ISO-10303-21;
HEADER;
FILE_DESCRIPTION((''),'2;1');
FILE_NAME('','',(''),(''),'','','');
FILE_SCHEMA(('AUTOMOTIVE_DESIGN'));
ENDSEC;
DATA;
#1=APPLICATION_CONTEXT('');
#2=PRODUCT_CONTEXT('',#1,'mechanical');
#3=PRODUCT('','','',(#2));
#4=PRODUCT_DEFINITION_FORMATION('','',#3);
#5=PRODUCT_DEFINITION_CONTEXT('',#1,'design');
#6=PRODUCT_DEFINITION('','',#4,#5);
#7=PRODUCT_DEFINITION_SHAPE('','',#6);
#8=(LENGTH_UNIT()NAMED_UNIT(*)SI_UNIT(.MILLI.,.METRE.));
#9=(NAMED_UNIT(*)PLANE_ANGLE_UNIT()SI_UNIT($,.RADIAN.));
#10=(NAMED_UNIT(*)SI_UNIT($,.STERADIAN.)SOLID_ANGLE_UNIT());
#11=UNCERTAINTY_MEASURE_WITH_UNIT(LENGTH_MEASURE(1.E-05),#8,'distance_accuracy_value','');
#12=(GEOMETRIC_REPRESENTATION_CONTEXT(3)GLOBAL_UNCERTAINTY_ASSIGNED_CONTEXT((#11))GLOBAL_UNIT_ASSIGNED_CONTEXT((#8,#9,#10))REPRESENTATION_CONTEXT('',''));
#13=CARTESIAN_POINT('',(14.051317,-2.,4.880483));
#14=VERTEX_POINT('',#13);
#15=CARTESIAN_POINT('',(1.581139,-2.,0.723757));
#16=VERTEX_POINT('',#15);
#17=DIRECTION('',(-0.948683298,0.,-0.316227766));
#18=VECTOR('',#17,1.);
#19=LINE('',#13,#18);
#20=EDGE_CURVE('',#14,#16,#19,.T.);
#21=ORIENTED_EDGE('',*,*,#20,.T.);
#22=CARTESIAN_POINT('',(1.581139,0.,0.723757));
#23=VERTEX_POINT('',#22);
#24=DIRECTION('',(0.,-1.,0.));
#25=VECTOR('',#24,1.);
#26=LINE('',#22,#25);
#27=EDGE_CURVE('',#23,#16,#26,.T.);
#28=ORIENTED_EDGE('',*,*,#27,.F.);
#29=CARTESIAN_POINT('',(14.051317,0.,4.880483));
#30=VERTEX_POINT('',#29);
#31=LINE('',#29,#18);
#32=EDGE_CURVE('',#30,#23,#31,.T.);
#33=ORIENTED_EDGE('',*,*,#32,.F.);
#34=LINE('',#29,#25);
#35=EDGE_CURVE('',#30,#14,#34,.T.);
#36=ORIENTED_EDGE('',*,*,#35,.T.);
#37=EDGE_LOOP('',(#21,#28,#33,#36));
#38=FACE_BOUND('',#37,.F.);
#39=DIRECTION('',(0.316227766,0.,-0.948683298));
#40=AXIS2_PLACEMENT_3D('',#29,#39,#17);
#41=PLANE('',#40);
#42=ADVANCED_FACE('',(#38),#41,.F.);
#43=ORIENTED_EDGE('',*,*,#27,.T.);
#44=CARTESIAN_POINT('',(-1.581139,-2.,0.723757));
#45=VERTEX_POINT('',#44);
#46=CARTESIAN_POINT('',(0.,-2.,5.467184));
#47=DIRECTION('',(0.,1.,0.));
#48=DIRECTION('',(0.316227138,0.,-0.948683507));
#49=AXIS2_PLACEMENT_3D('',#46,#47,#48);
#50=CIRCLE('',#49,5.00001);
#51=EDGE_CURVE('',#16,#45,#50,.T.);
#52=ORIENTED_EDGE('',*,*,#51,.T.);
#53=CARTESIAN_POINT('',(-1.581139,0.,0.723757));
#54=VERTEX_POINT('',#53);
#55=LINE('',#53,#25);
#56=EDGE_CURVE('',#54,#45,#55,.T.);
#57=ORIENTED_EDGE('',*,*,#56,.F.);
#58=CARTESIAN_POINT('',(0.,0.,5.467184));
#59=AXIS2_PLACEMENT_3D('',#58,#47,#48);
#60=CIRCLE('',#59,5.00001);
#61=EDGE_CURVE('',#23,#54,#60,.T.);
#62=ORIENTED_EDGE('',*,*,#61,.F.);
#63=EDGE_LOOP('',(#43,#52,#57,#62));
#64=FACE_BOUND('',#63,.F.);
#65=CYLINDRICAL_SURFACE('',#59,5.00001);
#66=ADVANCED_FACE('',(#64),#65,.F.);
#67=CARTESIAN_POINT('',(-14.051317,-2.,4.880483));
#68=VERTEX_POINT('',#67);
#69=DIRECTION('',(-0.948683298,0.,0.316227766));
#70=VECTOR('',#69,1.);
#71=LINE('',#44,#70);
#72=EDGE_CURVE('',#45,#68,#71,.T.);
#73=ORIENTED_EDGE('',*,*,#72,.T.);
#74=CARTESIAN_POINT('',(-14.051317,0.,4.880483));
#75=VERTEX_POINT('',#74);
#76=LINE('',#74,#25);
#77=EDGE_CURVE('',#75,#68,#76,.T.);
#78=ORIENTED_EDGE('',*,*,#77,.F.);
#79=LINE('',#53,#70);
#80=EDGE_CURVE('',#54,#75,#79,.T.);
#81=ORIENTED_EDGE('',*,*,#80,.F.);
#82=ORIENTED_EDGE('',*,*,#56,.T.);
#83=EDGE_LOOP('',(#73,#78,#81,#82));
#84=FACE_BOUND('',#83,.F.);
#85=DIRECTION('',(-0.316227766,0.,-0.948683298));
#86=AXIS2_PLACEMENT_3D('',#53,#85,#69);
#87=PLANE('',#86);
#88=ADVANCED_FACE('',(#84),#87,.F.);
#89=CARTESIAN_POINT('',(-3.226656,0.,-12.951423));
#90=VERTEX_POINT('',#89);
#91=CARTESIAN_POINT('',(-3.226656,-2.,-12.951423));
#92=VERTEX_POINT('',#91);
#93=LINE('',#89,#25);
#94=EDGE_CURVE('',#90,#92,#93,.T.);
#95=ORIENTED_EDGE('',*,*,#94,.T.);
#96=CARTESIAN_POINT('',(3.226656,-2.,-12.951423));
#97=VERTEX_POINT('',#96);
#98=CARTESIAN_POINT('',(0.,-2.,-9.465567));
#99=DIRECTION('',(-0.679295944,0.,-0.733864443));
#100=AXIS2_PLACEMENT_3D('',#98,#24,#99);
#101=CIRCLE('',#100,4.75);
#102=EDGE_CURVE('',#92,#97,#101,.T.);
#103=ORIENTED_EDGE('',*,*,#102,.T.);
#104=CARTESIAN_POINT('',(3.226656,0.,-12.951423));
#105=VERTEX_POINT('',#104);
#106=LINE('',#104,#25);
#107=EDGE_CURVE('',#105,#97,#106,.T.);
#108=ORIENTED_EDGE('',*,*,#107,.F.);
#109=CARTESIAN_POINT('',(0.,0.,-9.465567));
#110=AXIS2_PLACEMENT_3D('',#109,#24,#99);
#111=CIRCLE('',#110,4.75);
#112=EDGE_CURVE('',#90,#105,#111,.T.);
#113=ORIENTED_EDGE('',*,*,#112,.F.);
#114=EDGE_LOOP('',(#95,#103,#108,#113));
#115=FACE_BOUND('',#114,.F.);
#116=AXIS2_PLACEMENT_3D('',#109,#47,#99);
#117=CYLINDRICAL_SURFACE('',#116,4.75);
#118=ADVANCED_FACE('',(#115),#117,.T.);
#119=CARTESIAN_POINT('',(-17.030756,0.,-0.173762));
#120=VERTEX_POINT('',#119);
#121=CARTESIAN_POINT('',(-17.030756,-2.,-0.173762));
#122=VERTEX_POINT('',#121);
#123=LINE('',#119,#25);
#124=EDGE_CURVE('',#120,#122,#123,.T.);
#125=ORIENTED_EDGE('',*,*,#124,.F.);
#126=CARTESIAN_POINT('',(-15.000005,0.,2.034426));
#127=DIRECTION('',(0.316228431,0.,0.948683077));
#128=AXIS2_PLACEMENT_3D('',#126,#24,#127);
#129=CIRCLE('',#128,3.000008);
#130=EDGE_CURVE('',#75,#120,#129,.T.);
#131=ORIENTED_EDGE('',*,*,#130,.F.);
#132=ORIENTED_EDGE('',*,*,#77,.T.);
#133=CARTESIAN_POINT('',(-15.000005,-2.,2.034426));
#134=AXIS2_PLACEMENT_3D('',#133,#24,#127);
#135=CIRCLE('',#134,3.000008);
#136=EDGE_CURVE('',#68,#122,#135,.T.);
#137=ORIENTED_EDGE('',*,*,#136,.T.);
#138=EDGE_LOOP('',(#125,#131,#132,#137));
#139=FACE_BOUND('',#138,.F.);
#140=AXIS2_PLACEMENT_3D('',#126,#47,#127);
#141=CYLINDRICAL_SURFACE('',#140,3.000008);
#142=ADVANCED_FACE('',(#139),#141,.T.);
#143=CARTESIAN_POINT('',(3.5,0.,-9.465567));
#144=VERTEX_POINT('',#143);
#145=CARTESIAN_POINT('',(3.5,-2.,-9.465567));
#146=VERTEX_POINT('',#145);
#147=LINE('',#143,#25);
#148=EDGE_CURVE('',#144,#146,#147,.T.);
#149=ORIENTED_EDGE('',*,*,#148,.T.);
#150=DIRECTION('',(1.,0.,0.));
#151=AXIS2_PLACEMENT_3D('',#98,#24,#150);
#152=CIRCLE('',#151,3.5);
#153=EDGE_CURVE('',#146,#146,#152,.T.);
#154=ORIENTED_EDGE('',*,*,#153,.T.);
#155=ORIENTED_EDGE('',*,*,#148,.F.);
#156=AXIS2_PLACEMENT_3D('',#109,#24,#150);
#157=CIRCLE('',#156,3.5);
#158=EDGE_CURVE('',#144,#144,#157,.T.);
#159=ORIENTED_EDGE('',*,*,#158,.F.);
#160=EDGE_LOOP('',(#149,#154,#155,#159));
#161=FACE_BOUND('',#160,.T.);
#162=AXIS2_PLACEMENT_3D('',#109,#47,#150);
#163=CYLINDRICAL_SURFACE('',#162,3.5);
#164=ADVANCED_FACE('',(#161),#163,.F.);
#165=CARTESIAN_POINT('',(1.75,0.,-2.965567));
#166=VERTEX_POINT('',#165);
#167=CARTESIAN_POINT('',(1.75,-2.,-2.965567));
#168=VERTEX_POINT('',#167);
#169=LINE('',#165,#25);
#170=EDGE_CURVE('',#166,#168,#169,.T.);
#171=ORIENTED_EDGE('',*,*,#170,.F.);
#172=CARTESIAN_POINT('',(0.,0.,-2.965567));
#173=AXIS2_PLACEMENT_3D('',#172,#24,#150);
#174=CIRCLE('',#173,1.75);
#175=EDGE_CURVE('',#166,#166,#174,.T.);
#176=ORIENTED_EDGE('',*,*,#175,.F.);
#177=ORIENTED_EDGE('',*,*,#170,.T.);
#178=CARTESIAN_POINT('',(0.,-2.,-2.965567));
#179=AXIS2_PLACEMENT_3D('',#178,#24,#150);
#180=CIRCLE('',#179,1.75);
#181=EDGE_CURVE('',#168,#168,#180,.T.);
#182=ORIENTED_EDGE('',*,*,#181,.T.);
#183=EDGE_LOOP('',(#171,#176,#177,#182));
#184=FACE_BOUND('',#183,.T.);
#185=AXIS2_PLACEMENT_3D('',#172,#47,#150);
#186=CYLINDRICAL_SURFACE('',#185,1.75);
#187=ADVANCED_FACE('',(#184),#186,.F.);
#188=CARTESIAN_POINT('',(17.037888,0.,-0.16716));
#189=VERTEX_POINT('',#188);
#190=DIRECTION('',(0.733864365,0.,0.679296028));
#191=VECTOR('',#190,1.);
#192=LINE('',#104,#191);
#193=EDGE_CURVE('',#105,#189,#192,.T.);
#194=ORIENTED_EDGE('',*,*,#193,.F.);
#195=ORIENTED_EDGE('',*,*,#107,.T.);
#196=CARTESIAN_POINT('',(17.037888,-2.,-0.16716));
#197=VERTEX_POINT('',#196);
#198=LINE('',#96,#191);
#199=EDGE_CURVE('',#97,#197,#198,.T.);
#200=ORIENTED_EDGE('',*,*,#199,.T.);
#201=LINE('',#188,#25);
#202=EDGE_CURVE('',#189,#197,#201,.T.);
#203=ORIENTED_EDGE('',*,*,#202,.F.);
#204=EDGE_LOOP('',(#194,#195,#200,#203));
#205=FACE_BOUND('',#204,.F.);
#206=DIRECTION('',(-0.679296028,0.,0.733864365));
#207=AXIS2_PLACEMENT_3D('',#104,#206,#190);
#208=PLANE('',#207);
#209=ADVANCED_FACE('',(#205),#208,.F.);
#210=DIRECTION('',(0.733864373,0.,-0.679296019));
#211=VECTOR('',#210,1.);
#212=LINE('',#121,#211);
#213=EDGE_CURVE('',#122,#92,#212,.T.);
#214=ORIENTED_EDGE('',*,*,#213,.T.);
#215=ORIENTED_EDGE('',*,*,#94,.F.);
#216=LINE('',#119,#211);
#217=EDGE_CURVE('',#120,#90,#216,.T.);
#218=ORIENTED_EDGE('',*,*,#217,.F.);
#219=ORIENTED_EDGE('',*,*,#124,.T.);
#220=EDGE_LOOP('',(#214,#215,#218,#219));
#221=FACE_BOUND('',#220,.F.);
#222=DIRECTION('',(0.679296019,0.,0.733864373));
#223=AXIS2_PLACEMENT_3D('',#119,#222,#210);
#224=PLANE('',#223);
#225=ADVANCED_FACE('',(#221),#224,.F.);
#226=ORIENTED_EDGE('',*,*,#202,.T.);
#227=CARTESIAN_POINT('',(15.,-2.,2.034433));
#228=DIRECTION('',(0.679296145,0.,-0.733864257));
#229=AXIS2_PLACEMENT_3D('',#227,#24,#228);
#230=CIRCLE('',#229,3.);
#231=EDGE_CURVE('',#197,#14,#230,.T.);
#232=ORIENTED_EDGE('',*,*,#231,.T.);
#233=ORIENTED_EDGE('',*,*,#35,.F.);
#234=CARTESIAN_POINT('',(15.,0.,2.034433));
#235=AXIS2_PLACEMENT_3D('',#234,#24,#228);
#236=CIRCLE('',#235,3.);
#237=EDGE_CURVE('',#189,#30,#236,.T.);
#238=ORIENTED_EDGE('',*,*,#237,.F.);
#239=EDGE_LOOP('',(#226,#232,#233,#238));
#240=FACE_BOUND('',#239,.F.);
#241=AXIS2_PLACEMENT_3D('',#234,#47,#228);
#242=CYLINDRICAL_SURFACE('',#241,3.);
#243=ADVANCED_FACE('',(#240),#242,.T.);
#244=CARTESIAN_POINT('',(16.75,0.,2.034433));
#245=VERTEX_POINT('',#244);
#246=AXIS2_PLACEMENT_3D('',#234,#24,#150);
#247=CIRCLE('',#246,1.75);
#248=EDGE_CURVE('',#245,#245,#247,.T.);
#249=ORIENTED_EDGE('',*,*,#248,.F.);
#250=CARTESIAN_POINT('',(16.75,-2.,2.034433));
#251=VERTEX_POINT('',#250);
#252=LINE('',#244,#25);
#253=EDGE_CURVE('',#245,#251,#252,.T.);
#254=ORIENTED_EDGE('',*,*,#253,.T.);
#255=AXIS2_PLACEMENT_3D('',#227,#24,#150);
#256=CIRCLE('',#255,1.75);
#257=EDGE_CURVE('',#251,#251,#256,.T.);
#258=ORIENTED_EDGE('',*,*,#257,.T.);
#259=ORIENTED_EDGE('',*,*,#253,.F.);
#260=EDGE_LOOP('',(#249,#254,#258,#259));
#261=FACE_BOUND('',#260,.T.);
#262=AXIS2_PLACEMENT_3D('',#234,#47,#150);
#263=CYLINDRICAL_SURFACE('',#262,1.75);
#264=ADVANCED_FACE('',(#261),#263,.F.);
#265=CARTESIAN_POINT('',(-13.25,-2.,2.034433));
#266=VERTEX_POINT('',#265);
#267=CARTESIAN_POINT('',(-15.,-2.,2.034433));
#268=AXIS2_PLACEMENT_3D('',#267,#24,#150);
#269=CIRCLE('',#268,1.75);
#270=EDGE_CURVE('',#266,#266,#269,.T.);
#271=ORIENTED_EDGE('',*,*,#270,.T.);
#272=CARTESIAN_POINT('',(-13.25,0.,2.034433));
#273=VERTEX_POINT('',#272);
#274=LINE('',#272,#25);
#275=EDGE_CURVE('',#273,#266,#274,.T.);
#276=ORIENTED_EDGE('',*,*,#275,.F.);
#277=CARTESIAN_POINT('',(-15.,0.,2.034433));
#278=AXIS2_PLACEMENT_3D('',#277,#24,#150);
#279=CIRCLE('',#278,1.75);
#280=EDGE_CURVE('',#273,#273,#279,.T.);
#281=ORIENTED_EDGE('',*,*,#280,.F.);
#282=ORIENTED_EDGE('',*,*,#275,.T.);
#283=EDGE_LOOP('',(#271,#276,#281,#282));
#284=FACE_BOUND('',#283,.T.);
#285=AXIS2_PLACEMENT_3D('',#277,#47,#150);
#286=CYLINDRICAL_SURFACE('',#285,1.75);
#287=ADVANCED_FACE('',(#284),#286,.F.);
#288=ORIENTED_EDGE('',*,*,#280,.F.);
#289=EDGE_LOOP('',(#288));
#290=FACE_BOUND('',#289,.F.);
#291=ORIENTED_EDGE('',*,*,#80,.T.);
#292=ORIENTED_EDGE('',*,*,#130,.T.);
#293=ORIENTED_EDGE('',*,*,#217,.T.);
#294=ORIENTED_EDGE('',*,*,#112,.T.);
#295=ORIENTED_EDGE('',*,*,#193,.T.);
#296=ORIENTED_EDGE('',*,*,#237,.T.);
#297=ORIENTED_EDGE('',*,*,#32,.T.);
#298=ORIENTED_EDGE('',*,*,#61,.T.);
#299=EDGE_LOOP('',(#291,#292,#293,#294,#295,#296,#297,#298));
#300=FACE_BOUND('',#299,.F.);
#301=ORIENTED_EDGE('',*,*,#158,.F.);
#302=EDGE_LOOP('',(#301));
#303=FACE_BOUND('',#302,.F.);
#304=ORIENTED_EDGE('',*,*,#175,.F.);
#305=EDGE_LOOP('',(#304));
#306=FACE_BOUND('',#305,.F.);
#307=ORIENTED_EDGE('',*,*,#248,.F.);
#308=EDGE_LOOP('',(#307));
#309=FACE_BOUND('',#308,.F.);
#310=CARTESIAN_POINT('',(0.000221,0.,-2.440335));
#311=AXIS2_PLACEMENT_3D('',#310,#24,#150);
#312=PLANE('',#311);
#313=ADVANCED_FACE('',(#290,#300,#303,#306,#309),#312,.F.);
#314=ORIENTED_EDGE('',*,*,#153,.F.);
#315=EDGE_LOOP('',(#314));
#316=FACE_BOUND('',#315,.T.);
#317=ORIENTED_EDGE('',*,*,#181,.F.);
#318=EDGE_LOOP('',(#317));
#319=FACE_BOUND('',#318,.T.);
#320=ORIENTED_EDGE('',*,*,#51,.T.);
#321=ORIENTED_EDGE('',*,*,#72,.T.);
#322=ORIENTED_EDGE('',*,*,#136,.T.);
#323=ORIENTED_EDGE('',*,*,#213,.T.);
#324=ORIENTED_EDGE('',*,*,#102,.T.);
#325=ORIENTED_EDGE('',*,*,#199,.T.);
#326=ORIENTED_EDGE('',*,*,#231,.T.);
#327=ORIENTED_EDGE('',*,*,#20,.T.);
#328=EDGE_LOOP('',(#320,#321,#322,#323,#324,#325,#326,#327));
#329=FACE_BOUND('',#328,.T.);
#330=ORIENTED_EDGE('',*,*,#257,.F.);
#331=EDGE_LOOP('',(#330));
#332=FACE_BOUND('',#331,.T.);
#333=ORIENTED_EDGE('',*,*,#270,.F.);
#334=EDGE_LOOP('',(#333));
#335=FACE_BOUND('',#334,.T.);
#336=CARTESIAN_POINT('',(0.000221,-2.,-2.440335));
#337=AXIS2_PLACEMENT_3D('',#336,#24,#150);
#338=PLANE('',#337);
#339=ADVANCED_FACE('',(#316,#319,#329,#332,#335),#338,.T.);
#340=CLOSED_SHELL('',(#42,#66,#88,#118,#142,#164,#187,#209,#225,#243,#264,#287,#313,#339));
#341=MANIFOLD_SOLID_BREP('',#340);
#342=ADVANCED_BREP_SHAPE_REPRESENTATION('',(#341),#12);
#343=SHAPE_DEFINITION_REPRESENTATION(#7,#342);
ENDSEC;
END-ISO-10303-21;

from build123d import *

# Parameters (mm, degrees)
F0_R     = 3.5
F0_R_2   = 1.75
F1_DEPTH = 2


with BuildPart() as f1:
    # F0 (on Front) → F1 (new body)
    with BuildSketch(Plane.XZ):
        with BuildLine():
            Line((3.226656, -12.951423), (17.037888, -0.16716))
            ThreePointArc((17.037888, -0.16716), (17.581911, 3.562089), (14.051317, 4.880483))
            Line((14.051317, 4.880483), (1.581139, 0.723757))
            ThreePointArc((1.581139, 0.723757), (0, 0.467174), (-1.581139, 0.723757))
            Line((-1.581139, 0.723757), (-14.051317, 4.880483))
            ThreePointArc((-14.051317, 4.880483), (-17.584393, 3.557904), (-17.030756, -0.173762))
            Line((-17.030756, -0.173762), (-3.226656, -12.951423))
            ThreePointArc((-3.226656, -12.951423), (0, -14.215567), (3.226656, -12.951423))
        make_face()
        with Locations((0, -9.465567)):
            Circle(F0_R, mode=Mode.SUBTRACT)
        with Locations((-15, 2.034433)):
            Circle(F0_R_2, mode=Mode.SUBTRACT)
        with Locations((0, -2.965567)):
            Circle(F0_R_2, mode=Mode.SUBTRACT)
        with Locations((15, 2.034433)):
            Circle(F0_R_2, mode=Mode.SUBTRACT)
    extrude(amount=F1_DEPTH)


solid = f1.part
